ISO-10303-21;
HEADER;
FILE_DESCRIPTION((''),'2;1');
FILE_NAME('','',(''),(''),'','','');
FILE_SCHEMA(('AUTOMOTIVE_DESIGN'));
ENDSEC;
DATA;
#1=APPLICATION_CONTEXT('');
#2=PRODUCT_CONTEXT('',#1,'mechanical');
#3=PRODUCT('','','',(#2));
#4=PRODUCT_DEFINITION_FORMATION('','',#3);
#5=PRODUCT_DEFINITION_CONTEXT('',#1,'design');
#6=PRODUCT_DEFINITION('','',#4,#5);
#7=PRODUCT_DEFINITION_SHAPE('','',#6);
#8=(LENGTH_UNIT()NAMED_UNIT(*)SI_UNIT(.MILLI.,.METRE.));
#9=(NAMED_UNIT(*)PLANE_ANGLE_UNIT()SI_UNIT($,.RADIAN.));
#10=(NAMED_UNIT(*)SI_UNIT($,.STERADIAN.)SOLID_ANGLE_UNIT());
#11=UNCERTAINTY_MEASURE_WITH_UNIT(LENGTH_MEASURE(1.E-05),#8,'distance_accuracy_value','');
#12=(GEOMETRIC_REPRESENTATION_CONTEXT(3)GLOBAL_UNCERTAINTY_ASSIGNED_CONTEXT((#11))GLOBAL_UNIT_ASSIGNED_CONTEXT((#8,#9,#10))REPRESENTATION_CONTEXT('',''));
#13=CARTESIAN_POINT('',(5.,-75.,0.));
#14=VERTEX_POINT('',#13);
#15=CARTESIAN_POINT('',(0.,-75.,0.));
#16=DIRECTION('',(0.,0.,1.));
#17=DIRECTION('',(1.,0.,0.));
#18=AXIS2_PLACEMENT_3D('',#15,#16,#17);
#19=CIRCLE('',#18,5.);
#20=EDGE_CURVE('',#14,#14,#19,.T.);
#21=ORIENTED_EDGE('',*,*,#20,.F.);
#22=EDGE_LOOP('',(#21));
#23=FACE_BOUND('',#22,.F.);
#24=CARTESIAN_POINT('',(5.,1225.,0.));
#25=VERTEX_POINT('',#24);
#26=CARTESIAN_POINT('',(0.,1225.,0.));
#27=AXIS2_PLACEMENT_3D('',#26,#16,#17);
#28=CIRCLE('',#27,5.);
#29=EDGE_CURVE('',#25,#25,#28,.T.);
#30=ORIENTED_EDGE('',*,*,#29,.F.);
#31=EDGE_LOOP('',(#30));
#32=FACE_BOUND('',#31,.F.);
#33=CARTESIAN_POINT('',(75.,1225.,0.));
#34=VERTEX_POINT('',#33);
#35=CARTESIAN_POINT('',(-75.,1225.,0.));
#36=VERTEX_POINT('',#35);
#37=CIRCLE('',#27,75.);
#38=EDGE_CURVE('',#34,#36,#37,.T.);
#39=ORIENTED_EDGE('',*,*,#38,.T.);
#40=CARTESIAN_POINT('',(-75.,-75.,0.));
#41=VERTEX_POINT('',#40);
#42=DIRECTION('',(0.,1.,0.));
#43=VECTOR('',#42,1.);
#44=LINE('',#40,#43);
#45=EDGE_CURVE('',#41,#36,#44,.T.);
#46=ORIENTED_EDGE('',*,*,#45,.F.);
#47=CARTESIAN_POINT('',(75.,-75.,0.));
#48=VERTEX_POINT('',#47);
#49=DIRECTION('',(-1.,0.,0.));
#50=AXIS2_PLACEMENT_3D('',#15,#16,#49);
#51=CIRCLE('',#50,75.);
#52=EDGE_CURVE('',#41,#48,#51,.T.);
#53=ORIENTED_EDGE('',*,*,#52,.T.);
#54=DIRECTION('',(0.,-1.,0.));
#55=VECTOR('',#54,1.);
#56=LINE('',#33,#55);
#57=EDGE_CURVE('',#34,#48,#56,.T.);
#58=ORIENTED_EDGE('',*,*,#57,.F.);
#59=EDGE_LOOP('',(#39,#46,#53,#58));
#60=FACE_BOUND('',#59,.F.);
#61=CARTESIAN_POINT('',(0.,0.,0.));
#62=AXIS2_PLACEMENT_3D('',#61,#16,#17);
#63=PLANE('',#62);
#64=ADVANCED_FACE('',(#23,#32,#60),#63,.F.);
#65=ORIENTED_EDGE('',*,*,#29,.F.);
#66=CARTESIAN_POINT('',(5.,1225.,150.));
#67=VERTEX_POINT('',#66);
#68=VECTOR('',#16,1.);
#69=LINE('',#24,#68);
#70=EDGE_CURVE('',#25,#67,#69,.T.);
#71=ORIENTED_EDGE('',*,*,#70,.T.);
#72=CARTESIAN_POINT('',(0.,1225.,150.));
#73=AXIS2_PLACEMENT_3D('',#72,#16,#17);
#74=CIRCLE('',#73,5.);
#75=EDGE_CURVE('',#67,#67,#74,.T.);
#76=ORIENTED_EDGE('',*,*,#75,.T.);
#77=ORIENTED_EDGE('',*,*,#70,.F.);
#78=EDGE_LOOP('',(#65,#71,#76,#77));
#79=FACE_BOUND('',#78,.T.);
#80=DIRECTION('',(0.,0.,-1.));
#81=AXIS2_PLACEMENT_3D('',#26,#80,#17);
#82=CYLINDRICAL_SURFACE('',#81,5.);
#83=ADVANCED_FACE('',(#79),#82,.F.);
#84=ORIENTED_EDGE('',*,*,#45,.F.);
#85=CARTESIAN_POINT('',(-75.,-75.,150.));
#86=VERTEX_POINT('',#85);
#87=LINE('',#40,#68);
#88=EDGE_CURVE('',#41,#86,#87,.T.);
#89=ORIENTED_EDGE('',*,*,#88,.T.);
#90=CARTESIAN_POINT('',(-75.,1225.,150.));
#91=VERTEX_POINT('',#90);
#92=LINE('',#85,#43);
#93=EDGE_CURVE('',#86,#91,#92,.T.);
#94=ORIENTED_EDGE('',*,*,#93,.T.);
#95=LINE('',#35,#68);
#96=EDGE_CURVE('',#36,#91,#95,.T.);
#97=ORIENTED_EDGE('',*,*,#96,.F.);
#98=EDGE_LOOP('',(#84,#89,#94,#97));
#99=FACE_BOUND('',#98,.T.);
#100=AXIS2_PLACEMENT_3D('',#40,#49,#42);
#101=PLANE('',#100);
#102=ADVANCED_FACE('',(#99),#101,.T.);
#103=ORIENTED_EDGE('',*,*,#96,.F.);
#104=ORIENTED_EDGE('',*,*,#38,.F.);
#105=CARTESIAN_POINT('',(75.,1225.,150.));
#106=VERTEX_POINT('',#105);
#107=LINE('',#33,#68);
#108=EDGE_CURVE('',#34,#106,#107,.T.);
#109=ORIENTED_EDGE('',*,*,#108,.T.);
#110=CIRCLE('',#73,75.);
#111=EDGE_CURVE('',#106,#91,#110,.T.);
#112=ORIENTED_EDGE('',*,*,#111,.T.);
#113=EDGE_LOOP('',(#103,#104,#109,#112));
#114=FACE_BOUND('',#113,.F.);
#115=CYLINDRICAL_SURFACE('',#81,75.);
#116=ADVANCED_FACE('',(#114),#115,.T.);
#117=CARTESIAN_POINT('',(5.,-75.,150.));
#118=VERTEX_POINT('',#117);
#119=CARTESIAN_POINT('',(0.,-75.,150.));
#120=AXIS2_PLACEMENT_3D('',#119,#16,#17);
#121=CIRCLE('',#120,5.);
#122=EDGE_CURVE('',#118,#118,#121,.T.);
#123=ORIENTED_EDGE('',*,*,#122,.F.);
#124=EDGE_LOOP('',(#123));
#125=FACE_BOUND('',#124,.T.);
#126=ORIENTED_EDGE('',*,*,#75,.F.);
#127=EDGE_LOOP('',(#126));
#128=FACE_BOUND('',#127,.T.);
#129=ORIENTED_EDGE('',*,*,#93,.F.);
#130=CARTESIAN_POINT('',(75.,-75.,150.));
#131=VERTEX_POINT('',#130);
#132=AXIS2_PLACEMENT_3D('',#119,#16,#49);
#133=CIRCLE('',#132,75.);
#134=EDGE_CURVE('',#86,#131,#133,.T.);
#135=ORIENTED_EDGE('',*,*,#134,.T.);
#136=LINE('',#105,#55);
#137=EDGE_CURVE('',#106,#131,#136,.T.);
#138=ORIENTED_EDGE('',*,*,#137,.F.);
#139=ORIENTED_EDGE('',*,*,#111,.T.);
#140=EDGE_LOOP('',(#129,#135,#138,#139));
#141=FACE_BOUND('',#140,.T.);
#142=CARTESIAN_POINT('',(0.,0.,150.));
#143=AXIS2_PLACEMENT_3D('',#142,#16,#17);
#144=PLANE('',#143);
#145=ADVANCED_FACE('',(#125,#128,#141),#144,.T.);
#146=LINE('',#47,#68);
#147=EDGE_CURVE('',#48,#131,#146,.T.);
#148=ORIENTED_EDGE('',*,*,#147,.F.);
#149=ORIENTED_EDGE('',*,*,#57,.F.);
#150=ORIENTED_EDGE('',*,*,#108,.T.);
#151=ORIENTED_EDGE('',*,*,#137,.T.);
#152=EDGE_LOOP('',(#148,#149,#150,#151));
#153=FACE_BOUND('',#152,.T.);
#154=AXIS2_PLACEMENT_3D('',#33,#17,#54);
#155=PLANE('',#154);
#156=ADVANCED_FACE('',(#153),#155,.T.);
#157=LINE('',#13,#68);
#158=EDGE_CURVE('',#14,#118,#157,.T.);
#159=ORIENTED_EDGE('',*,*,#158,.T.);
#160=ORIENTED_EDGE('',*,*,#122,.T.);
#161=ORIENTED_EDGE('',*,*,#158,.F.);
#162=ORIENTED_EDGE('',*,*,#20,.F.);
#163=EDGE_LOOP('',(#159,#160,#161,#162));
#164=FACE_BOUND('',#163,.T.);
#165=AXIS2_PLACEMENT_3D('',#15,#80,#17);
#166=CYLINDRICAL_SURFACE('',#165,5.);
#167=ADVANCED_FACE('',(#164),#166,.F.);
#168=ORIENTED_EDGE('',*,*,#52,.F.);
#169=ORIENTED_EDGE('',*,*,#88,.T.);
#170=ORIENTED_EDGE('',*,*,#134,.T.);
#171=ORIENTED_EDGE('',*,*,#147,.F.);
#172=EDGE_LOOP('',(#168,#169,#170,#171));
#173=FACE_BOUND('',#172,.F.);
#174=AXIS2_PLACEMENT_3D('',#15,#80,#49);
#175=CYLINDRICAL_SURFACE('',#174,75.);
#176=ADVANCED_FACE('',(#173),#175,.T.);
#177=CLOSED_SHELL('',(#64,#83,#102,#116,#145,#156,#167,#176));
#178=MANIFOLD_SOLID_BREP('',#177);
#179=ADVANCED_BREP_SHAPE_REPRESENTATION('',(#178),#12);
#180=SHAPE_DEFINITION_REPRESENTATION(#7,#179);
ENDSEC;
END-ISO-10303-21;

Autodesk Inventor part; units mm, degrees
ref_plane "YZ Plane" through (0, 0, 0) normal (1, 0, 0) x (0, 1, 0)
ref_plane "XZ Plane" through (0, 0, 0) normal (0, 1, 0) x (-1, 0, 0)
ref_plane "XY Plane" through (0, 0, 0) normal (0, 0, 1) x (1, 0, 0)
sketch "Sketch1" plane through (0, 0, 0) normal (0, 0, 1) x (1, 0, 0)
  circle A0 centre (0, -75) radius 5
  arc A1 (-75, -75) -> (75, -75) centre (0, -75) ccw
  line L0 (-75, -75) -> (-75, 1225)
  arc A2 (75, 1225) -> (-75, 1225) centre (0, 1225) ccw
  circle A3 centre (0, 1225) radius 5
  line L1 (75, 1225) -> (75, -75)
  point P0 (0, 0)
  dimension "d0" = 10
  dimension "d1" = 150
  dimension "d3" = 1300
  dimension "d4" = 75
extrude "Extrusion1" add sketch "Sketch1" along normal blind 150
equation "\"d4\" = 0.5 * d1"
properties part number "link2"
